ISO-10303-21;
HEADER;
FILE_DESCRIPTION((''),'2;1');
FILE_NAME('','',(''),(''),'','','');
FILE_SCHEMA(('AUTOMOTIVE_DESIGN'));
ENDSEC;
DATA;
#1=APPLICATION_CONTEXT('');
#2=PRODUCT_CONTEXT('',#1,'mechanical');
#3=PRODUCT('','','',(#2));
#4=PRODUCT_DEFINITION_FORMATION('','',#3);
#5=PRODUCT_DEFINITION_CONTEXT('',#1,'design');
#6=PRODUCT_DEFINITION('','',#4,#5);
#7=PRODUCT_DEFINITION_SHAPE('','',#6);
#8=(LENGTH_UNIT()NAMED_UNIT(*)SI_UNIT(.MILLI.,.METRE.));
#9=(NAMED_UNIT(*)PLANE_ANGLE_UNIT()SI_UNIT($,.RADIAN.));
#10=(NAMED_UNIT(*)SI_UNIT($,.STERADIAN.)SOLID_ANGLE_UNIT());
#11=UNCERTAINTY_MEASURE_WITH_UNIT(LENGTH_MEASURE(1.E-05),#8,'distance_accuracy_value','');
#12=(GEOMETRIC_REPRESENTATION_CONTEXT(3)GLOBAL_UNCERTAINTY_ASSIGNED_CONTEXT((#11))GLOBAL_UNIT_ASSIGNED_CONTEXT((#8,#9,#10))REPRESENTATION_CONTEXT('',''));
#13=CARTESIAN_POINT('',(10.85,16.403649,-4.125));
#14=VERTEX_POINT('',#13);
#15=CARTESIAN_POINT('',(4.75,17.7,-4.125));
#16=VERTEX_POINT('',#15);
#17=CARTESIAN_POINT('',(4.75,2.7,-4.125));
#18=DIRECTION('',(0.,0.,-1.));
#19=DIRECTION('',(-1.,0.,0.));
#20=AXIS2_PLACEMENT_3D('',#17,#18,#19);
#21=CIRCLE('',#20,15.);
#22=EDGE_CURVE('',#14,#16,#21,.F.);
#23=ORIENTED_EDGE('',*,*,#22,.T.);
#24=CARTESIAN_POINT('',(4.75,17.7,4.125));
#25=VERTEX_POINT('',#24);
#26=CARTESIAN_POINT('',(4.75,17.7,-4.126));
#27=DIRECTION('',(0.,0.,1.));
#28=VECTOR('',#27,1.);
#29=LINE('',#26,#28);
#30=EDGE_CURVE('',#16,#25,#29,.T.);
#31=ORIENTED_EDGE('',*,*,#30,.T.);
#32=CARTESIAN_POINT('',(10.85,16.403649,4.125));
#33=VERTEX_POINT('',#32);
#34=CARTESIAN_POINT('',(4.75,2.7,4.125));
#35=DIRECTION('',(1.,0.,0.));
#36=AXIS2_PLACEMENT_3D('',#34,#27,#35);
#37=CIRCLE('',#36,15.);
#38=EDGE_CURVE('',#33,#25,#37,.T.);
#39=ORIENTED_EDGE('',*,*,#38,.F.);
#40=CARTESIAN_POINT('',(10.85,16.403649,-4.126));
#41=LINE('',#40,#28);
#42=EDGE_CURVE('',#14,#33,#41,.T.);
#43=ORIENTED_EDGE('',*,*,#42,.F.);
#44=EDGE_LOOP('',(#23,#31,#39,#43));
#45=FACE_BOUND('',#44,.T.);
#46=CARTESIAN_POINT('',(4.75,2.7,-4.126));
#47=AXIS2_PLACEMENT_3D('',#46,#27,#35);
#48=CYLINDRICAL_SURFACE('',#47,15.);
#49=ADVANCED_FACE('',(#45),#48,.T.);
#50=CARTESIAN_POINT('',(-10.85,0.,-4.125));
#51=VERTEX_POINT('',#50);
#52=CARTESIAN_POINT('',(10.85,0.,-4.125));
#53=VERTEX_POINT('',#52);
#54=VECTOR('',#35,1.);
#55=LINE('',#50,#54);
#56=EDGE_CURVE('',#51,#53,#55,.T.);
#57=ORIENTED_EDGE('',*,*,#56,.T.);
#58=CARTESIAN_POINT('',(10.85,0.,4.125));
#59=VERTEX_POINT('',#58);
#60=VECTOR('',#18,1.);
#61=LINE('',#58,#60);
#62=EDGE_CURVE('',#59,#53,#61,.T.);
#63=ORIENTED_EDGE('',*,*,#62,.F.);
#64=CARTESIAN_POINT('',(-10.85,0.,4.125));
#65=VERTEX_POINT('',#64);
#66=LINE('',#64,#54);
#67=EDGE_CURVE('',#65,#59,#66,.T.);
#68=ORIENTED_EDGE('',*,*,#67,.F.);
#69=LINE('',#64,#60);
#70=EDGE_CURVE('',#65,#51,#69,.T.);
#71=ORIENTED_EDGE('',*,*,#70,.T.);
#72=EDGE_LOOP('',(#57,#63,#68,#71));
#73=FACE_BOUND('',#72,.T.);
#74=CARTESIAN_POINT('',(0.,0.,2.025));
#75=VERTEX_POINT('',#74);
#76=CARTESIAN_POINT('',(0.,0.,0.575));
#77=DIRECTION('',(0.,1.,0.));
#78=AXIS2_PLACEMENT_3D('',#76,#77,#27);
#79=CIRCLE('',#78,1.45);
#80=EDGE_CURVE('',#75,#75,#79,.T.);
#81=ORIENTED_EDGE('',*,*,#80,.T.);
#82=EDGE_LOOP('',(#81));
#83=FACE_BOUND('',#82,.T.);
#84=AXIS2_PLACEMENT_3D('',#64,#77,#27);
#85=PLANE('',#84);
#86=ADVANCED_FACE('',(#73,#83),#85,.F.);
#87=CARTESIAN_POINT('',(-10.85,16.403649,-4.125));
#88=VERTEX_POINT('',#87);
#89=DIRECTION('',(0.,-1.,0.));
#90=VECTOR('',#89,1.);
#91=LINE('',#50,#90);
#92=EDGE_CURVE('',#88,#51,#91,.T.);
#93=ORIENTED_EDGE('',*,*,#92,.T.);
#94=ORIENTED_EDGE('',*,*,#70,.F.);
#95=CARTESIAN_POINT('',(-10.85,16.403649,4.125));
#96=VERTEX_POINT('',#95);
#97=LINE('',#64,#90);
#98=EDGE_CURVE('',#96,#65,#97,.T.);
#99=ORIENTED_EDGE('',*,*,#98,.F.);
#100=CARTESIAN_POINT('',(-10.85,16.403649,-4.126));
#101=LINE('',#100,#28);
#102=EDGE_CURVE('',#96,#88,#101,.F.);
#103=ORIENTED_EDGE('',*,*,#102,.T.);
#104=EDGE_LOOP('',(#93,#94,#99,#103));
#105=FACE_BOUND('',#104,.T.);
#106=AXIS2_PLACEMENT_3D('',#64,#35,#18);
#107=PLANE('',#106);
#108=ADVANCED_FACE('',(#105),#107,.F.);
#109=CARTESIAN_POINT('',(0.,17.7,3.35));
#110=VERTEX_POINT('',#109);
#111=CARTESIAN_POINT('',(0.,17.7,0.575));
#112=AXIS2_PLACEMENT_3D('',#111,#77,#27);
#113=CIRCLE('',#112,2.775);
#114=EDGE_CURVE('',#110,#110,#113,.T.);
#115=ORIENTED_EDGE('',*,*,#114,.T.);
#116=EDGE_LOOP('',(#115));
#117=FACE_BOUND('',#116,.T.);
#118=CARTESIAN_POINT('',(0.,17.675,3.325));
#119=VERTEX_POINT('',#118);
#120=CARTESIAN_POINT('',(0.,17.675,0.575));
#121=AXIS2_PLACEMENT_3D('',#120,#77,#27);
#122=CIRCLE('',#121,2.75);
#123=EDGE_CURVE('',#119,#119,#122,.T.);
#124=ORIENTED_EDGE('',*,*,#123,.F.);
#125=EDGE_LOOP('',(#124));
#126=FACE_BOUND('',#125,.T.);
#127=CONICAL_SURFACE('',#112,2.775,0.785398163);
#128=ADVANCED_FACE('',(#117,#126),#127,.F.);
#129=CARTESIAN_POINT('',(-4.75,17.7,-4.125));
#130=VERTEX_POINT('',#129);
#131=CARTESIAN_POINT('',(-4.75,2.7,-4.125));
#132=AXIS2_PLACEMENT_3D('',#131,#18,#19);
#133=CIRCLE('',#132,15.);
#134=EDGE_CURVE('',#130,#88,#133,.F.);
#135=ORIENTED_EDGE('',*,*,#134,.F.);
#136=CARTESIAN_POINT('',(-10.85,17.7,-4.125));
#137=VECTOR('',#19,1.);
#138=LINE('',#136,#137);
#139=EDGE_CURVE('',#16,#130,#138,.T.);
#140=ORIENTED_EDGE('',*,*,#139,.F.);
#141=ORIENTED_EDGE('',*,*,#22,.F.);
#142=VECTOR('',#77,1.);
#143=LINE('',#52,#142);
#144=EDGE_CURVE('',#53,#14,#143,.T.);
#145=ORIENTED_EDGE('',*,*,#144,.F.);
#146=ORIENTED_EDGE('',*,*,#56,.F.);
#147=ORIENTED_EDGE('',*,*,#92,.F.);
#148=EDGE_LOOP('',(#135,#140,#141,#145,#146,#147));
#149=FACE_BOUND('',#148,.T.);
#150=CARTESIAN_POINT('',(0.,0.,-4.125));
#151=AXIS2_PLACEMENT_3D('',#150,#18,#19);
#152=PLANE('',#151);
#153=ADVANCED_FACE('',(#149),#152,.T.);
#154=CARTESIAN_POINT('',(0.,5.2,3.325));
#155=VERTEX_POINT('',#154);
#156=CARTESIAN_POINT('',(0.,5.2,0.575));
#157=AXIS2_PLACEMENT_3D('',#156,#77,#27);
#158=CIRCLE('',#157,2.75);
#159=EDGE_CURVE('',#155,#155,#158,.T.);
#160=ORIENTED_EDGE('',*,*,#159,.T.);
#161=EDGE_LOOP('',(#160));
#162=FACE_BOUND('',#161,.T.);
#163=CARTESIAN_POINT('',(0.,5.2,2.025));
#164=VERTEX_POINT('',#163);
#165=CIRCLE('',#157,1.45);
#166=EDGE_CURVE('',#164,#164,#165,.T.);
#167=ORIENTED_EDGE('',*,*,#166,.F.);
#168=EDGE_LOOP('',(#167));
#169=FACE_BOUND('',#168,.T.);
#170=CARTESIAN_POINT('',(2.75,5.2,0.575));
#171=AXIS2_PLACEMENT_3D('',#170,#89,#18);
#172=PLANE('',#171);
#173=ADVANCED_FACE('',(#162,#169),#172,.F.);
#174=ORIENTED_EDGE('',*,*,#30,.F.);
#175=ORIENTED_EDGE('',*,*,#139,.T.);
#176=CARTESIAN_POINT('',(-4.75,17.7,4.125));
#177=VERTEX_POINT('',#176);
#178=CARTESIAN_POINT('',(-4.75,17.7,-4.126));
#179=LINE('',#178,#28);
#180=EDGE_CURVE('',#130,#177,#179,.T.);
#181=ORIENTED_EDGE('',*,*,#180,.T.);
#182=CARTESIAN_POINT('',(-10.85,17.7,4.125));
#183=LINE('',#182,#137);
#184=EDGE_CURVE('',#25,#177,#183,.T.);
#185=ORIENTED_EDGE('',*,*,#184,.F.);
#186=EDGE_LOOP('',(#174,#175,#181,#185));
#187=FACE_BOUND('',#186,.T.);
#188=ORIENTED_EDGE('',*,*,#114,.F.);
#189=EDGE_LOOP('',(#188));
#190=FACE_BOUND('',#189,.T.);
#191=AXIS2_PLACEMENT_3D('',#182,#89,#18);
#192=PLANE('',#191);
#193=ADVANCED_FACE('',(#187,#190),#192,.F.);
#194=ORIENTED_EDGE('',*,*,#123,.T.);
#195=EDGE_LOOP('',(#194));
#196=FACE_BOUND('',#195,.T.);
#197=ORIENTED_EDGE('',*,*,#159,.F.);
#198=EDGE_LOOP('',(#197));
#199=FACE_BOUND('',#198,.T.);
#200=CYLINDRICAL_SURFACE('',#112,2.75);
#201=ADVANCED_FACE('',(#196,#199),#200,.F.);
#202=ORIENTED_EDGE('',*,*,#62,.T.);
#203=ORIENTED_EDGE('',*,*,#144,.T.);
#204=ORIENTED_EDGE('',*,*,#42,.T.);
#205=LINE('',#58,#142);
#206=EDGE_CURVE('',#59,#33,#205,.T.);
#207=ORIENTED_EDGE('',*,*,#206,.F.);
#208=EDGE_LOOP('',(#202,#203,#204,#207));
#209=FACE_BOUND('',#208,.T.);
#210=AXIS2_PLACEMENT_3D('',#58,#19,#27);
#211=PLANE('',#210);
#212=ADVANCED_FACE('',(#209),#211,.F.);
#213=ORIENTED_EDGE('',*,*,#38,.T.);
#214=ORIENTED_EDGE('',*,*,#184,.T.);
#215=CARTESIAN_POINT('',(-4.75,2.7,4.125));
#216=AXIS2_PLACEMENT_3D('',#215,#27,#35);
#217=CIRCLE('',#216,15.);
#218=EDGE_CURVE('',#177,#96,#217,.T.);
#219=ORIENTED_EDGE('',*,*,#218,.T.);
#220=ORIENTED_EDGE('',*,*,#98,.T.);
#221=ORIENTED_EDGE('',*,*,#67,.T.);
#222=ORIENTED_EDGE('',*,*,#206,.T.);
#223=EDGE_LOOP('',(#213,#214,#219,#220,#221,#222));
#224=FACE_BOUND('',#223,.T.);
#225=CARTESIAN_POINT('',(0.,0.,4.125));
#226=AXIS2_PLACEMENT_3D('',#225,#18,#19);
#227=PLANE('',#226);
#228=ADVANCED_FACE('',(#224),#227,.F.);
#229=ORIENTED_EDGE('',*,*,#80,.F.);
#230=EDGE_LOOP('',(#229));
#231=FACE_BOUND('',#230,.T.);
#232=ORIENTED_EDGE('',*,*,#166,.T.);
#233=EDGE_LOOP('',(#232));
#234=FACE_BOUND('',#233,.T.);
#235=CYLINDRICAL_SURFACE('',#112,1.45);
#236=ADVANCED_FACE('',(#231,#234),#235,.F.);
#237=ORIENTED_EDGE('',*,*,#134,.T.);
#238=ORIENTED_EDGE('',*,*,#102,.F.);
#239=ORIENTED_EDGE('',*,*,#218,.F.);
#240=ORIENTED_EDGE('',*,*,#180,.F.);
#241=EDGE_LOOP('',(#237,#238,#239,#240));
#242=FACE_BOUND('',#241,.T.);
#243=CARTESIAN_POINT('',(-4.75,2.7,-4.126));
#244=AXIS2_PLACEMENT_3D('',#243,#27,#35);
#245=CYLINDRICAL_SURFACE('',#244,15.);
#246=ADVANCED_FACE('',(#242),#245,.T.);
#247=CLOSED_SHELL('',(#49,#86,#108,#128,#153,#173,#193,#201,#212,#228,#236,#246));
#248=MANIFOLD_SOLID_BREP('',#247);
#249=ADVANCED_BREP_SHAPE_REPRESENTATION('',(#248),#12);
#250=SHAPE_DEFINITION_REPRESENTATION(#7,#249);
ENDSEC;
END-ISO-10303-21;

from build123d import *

# Parameters (mm, degrees)
SKETCH1_W           = 21.7
SKETCH1_H           = 17.7
BOSS_EXTRUDE1_DEPTH = 4.125
SKETCH3_OUTSIDE_W   = 29.538
SKETCH3_OUTSIDE_H   = 25.538
CUT_EXTRUDE1_DEPTH  = 8.25


with BuildPart() as part:
    # Sketch1 → Boss-Extrude1 (new, symmetric)
    with BuildSketch(Plane.XY):
        with Locations((0, 8.85)):
            Rectangle(SKETCH1_W, SKETCH1_H)
    extrude(amount=BOSS_EXTRUDE1_DEPTH, both=True)

    # Sketch3 outside → Cut-Extrude1 (cut)
    with BuildSketch(Plane.XY.offset(4.125)):
        with Locations((0, 8.85)):
            Rectangle(SKETCH3_OUTSIDE_W, SKETCH3_OUTSIDE_H)
        with BuildLine():
            Line((-4.75, 17.7), (4.75, 17.7))
            ThreePointArc((4.75, 17.7), (19.75, 2.7), (4.75, -12.3))
            Line((4.75, -12.3), (-4.75, -12.3))
            ThreePointArc((-4.75, -12.3), (-19.75, 2.7), (-4.75, 17.7))
        make_face(mode=Mode.SUBTRACT)
    extrude(amount=-CUT_EXTRUDE1_DEPTH, mode=Mode.SUBTRACT)

    # Sketch5 → CBORE for M2.5 SHCS1 (revolve, cut)
    with BuildSketch(Plane(origin=(0, 17.7, 0.575), x_dir=(0, 0, 1), z_dir=(1, 0, 0))):
        Polygon((0, 0), (0, 17.7), (1.45, 17.7), (1.45, 12.5), (2.75, 12.5), (2.75, 0.025), (2.775, 0), align=None)
    revolve(axis=Axis((0, 24.05, 0.575), (0, -1, 0)), mode=Mode.SUBTRACT)


solid = part.part
